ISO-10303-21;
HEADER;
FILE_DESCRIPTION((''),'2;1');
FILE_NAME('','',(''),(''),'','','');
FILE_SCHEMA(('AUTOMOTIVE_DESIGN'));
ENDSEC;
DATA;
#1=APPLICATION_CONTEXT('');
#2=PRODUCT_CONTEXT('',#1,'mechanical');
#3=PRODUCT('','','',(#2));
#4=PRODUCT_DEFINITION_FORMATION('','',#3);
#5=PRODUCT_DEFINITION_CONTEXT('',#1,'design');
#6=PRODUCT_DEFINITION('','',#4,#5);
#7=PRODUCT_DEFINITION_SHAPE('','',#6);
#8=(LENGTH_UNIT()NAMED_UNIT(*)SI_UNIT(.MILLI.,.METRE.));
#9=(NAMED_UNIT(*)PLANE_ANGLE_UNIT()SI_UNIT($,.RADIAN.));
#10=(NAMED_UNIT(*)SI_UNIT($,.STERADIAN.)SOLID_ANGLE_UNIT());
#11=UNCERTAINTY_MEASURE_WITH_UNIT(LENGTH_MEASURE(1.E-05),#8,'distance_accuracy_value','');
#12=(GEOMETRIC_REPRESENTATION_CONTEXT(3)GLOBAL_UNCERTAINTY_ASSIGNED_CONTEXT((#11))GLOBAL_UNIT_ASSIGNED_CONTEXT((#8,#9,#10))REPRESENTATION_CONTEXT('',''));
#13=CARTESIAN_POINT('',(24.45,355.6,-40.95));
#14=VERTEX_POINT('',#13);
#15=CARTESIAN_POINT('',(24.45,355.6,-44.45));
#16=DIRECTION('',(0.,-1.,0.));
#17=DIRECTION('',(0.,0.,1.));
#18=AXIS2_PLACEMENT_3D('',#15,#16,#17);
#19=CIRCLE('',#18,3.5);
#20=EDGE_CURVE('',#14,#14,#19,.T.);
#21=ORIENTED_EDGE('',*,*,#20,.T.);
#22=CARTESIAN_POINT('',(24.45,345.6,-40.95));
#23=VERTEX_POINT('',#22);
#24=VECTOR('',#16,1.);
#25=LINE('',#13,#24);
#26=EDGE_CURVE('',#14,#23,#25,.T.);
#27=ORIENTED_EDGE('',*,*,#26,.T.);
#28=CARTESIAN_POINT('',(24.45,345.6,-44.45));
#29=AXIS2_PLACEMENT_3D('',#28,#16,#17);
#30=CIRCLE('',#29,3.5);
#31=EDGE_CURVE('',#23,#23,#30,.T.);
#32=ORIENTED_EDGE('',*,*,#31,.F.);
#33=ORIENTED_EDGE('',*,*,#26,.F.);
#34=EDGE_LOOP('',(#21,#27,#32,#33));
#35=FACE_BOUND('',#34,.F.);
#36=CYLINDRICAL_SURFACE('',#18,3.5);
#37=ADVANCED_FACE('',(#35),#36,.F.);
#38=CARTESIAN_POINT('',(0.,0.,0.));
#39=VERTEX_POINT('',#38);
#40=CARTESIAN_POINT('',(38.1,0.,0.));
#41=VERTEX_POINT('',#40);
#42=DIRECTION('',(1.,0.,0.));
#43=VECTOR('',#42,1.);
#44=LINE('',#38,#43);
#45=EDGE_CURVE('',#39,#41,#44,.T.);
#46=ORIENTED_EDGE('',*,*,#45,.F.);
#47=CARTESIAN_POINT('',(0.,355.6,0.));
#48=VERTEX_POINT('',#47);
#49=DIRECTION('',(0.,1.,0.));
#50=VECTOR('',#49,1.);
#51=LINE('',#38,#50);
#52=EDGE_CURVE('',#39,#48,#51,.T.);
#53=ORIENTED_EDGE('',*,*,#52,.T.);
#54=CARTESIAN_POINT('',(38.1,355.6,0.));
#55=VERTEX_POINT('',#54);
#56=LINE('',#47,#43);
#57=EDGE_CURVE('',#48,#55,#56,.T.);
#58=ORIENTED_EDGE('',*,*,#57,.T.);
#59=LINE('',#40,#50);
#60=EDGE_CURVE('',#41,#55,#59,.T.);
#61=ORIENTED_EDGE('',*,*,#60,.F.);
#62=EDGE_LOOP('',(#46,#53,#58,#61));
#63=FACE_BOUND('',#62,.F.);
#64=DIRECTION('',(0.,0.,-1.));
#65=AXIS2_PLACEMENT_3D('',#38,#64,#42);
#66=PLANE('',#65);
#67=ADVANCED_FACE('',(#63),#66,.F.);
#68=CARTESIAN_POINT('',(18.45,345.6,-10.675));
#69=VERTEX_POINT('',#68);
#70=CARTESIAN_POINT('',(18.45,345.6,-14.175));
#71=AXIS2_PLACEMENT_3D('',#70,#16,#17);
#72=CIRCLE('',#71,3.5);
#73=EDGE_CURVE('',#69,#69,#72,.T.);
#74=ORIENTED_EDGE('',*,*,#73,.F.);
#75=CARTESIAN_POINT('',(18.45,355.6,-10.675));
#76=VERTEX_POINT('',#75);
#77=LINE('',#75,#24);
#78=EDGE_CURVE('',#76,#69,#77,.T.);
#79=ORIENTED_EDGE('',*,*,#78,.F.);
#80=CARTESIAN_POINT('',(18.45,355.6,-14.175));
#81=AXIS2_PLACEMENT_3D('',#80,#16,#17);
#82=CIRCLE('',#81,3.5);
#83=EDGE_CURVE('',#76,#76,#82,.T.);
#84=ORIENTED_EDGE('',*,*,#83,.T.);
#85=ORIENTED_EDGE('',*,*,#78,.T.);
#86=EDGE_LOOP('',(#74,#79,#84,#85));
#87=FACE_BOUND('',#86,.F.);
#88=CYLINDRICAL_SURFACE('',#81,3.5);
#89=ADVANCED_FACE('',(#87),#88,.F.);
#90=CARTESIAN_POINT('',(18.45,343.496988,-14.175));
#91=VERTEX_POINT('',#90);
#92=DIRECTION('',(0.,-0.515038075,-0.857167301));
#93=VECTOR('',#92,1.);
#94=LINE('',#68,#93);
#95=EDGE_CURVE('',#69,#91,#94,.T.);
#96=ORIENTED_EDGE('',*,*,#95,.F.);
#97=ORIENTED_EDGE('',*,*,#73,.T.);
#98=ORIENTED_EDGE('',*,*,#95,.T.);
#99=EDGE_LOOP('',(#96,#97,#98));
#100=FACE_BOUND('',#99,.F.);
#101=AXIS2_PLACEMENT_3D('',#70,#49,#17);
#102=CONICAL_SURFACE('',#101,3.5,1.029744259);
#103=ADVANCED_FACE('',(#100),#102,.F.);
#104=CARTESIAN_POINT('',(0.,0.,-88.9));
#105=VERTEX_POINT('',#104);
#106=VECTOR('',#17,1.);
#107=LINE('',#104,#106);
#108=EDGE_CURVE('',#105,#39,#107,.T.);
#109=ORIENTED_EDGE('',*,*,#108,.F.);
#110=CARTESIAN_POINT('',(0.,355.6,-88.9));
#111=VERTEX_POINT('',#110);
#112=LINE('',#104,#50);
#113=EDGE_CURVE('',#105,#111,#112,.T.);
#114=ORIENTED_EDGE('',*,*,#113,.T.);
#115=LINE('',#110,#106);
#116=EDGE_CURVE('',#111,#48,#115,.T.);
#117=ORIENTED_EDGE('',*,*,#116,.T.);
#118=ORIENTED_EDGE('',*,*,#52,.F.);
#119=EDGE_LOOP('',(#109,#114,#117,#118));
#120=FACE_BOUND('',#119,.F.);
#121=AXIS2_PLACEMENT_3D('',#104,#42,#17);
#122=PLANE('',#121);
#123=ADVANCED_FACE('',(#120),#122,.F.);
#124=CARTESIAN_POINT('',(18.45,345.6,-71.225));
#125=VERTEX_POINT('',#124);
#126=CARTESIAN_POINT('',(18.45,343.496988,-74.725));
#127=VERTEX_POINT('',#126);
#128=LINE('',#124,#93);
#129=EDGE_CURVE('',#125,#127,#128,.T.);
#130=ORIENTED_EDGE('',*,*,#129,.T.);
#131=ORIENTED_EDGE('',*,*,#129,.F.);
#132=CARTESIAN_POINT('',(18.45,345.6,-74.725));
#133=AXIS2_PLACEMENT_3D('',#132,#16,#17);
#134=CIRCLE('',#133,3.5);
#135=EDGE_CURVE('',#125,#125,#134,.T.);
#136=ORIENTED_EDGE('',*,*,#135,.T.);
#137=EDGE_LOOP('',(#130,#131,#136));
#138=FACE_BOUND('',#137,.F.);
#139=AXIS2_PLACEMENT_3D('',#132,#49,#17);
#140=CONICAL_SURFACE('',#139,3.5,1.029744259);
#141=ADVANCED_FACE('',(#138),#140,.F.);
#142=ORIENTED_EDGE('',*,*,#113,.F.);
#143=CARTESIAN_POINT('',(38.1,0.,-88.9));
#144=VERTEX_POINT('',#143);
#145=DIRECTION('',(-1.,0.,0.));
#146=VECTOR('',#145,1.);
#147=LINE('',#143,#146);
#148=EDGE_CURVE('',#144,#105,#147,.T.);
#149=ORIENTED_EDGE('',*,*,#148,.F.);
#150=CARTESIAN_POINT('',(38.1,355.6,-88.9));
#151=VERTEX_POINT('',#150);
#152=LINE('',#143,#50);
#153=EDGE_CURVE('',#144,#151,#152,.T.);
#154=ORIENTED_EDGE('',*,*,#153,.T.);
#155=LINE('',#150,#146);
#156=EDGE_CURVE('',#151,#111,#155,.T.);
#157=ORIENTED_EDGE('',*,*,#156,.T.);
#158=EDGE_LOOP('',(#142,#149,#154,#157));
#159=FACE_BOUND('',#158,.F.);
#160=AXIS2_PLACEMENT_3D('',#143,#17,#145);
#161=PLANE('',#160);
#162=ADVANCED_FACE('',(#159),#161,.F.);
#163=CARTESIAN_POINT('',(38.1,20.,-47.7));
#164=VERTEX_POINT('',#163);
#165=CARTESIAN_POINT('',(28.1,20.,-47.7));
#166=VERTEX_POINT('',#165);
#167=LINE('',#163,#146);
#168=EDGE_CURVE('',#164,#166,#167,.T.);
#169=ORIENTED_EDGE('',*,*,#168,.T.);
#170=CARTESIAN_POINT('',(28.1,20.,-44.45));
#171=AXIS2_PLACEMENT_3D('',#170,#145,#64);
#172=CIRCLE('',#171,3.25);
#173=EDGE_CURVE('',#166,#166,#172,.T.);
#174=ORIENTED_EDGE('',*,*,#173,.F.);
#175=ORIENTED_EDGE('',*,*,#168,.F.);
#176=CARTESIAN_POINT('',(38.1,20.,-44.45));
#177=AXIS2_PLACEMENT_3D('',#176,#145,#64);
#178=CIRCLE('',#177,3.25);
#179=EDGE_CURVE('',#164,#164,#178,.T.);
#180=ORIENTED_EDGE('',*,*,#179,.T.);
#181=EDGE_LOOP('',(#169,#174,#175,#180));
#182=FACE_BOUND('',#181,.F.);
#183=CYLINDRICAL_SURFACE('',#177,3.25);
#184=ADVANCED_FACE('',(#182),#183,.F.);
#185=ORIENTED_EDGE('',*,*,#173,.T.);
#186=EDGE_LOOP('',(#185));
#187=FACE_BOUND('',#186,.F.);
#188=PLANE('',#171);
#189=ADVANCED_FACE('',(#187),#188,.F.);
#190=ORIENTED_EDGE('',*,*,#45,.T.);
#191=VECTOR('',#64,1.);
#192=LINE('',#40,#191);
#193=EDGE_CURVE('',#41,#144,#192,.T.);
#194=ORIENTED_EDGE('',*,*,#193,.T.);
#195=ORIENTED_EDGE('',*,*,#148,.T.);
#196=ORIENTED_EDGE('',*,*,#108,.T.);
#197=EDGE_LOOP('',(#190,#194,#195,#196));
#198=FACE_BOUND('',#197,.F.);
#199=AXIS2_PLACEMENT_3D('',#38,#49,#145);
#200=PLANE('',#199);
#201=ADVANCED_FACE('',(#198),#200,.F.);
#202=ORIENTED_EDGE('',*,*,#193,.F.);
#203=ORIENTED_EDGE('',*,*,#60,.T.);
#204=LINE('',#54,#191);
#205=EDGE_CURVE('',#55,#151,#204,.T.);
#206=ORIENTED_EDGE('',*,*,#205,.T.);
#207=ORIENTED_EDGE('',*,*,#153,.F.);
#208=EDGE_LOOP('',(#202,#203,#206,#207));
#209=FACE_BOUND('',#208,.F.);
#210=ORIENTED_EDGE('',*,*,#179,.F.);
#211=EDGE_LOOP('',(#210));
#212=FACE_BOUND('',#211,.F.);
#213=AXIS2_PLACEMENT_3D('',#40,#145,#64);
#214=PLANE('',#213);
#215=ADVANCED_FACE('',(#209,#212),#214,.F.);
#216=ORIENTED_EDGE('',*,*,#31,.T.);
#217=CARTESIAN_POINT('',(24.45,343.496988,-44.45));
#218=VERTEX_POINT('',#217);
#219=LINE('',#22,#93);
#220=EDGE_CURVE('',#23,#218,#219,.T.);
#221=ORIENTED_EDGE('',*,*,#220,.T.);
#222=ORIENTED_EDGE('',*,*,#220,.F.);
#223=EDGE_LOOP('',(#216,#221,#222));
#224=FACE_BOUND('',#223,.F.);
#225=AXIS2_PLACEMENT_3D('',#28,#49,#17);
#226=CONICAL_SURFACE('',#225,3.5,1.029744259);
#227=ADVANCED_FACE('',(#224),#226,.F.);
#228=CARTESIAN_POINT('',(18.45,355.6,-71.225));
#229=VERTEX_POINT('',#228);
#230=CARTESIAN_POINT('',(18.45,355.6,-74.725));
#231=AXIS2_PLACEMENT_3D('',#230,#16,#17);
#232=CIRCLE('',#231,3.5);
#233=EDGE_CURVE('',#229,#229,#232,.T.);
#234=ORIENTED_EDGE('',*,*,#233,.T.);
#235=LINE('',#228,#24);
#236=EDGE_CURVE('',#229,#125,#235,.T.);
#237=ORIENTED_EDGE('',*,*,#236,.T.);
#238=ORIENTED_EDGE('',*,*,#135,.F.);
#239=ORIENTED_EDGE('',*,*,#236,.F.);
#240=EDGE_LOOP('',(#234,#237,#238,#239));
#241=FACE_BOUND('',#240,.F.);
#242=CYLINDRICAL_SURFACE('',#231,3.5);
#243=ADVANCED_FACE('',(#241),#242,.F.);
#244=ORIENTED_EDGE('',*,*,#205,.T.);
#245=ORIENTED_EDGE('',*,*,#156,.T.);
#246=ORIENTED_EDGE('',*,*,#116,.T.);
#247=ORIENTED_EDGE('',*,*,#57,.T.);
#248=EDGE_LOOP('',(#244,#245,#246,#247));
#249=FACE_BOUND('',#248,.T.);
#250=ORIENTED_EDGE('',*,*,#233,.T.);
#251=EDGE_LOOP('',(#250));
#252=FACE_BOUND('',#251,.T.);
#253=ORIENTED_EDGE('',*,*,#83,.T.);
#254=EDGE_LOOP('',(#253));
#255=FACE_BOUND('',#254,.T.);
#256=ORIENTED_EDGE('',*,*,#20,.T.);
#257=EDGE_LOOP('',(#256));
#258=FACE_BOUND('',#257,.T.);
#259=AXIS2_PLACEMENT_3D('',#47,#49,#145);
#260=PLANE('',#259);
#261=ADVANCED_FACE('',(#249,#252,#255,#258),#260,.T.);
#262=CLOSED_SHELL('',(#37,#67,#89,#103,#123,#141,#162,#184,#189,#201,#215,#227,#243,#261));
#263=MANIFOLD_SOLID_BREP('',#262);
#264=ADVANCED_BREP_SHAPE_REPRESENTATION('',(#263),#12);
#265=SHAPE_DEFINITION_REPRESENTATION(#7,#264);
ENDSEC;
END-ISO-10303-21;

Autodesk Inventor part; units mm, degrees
ref_plane "YZ Plane" through (0, 0, 0) normal (1, 0, 0) x (0, 1, 0)
ref_plane "XZ Plane" through (0, 0, 0) normal (0, 1, 0) x (-1, 0, 0)
ref_plane "XY Plane" through (0, 0, 0) normal (0, 0, 1) x (1, 0, 0)
sketch "Sketch1" plane through (0, 0, 0) normal (0, 1, 0) x (-1, 0, 0)
  line L0 (0, 0) -> (-38.1, 0)
  line L1 (-38.1, 0) -> (-38.1, -88.9)
  line L2 (-38.1, -88.9) -> (0, -88.9)
  line L3 (0, -88.9) -> (0, 0)
  dimension "d0" = 38.1
  dimension "d1" = 88.9
extrude "Extrusion1" add sketch "Sketch1" along normal blind 355.6
sketch "Sketch3" plane through (0, 355.6, 0) normal (0, 1, 0) x (1, 0, 0)
  line L0 (0, 88.9) -> (0, 0) projected
  line L1 (0, 74.725) -> (18.45, 74.725)
  line L2 (18.45, 74.725) -> (18.45, 0) construction
  line L3 (18.45, 0) -> (0, 0)
  line L4 (0, 0) -> (0, 74.725)
  line L5 (38.1, 88.9) -> (0, 88.9) projected
  line L6 (18.45, 74.725) -> (18.45, 61.2)
  line L7 (18.45, 74.725) -> (18.45, 14.175)
  line L8 (18.45, 44.45) -> (24.45, 44.45)
  line L9 (0, 0) -> (38.1, 0) projected
  dimension "d35" = 60.55
  dimension "d42" = 6
  dimension "d43" = 30.275
  dimension "d45" = 14.175
  dimension "d46" = 14.175
  dimension "d48" = 24.45
  dimension "d49" = 44.45
hole "Hole1" at (18.45, 355.6, -74.725) at (24.45, 355.6, -44.45) at (18.45, 355.6, -14.175) direction (0, -1, 0) diameter 7 depth 10 tip angle 118
sketch "Sketch4" plane through (38.1, 0, 0) normal (1, 0, 0) x (0, 0, -1)
  line L0 (0, 0) -> (88.9, 0) projected
  line L1 (0, 0) -> (44.45, 0) construction
  line L2 (44.45, 0) -> (44.45, 20) construction
  line L3 (44.45, 20) -> (0, 20) construction
  line L4 (0, 20) -> (0, 0) construction
  dimension "d25" = 44.45
  dimension "d26" = 20
hole "Hole2" at (38.1, 20, -44.45) direction (-1, 0, 0) diameter 6.5 depth 10
properties part number "shin2x4" material "Wood (Birch)"
